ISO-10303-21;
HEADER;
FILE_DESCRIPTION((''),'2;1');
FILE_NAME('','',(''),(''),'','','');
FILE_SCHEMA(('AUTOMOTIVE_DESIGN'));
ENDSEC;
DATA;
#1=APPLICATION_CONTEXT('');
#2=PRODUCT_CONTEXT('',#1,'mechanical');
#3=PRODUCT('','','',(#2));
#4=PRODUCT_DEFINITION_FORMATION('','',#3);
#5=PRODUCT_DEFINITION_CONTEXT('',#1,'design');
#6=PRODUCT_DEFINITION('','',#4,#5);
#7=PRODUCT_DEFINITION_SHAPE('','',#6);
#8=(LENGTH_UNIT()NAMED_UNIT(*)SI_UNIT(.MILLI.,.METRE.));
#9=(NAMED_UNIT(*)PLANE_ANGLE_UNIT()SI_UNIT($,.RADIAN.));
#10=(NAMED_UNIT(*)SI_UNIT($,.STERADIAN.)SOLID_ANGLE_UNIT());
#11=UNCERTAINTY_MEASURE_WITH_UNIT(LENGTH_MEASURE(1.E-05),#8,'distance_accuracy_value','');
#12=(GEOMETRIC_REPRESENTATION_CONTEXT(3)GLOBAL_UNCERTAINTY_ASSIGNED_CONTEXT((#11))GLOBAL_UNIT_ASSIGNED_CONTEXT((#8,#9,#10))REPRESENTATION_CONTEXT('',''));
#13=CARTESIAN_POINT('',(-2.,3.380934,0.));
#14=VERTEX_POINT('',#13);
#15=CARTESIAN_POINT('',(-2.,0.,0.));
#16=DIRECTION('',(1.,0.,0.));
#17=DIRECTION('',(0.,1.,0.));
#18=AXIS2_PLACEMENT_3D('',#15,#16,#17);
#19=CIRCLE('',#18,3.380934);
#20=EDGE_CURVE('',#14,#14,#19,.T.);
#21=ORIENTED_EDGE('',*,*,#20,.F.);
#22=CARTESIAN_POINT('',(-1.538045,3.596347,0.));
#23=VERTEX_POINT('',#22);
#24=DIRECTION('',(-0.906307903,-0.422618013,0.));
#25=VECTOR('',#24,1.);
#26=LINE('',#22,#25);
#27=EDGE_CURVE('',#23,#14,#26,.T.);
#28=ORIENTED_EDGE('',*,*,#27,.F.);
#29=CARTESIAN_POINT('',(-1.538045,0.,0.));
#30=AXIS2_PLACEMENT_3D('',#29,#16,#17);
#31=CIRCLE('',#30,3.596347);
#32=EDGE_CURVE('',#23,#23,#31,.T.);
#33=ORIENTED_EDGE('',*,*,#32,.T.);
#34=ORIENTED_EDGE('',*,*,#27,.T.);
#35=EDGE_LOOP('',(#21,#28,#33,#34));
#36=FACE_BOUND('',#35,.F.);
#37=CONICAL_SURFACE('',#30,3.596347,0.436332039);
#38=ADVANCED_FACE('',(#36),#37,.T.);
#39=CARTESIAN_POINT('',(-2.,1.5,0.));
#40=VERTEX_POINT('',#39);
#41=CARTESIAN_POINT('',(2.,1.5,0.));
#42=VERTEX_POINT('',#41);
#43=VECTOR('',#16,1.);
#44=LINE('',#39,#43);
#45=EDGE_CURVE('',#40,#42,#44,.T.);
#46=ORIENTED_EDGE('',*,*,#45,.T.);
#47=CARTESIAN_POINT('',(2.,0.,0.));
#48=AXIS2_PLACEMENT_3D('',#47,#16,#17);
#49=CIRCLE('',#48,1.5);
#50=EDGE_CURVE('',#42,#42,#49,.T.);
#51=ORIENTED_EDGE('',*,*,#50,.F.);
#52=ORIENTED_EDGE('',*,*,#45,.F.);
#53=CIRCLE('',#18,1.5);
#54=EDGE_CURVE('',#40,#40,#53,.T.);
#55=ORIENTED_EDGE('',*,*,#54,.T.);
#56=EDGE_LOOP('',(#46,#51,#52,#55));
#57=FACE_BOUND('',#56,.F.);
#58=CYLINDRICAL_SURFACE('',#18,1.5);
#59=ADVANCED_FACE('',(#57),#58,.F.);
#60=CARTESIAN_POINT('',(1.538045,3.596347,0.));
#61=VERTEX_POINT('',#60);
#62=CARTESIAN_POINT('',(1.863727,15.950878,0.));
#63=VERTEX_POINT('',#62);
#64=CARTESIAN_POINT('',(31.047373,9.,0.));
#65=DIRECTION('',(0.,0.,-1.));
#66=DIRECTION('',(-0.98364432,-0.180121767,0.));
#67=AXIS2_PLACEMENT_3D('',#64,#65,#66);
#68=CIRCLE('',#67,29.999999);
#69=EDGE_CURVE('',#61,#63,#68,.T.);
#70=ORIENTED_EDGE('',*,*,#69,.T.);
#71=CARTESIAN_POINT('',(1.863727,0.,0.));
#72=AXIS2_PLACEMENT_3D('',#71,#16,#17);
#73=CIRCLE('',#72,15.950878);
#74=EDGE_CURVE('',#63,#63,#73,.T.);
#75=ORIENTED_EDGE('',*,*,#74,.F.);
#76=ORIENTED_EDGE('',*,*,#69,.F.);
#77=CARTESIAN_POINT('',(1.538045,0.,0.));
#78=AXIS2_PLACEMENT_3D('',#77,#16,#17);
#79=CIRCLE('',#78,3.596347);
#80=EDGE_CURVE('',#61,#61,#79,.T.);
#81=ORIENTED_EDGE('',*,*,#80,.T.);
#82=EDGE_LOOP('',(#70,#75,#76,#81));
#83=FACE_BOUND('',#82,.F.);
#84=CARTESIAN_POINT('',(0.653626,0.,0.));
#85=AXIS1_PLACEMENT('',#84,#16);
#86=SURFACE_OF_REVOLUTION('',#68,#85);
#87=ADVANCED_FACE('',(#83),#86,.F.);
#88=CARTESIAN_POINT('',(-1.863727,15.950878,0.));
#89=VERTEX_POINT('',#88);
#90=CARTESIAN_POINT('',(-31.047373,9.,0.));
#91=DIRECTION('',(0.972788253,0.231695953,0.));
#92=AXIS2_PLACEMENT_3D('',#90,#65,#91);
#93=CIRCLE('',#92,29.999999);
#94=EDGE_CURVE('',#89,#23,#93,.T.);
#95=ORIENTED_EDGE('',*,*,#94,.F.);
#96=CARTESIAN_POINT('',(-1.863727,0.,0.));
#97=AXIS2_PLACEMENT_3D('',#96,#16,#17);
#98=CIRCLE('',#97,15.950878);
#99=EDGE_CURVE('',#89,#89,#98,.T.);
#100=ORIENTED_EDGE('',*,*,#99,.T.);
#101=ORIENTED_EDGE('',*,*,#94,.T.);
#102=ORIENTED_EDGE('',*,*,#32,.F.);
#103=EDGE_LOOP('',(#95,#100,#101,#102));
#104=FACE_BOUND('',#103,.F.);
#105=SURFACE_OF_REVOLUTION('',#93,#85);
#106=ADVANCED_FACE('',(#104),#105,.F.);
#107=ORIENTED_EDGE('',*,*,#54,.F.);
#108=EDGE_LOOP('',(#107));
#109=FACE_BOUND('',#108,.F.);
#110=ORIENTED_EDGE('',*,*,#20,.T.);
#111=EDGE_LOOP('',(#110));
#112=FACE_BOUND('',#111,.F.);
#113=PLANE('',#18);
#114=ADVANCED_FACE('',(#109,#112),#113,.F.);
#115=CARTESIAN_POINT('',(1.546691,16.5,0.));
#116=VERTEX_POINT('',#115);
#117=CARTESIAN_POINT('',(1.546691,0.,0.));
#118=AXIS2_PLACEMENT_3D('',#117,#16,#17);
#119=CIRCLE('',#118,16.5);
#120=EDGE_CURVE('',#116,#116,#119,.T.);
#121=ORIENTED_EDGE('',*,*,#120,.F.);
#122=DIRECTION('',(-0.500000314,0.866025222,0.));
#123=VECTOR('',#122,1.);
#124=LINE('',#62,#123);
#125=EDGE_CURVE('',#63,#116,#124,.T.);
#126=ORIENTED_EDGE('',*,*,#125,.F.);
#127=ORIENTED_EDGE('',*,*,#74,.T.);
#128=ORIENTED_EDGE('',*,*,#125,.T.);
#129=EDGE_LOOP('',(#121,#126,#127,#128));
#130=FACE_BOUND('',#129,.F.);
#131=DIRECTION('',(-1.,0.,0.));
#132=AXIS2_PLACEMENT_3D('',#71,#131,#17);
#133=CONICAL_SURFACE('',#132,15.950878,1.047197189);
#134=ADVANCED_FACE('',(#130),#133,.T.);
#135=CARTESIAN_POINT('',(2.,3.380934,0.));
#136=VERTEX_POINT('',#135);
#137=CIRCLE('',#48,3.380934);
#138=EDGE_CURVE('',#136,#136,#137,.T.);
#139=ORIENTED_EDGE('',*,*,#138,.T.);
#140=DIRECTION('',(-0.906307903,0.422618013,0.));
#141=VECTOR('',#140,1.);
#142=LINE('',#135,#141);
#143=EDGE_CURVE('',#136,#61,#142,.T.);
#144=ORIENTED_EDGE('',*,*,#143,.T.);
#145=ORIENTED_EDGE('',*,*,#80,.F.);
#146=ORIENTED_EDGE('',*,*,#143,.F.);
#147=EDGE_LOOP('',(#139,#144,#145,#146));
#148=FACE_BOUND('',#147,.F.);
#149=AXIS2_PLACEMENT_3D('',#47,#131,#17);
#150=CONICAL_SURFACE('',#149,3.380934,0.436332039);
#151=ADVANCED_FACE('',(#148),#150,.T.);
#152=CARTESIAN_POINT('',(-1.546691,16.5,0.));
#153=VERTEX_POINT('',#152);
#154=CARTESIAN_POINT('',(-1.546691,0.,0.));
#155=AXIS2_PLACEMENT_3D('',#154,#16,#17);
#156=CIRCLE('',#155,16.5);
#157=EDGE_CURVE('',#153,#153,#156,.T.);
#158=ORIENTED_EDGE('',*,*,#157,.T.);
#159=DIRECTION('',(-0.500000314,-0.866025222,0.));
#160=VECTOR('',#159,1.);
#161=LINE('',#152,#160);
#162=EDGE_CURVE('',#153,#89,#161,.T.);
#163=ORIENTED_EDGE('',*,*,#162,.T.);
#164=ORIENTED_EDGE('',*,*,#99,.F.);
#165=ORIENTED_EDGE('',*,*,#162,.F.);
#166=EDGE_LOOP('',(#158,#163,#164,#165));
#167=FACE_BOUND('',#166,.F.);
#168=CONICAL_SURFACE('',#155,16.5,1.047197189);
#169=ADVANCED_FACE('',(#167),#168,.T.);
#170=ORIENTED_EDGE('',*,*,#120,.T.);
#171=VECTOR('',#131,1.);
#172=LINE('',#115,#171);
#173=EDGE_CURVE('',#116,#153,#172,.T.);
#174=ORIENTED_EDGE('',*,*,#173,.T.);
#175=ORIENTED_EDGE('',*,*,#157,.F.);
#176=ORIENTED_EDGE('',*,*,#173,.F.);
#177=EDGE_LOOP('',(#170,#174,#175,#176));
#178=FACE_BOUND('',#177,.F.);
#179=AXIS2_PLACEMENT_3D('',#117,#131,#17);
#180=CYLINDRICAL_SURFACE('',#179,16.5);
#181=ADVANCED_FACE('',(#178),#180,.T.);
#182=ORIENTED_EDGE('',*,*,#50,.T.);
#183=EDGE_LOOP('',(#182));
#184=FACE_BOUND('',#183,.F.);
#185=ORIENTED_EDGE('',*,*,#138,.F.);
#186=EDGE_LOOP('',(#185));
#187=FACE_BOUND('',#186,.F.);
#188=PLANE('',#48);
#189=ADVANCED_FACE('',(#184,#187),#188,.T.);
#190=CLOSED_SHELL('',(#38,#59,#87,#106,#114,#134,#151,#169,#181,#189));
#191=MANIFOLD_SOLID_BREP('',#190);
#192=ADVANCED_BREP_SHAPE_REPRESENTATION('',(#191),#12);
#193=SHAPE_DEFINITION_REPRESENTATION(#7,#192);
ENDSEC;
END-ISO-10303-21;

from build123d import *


with BuildPart() as f1:
    # F0 (on Top) → F1 (revolve)
    with BuildSketch(Plane.XY):
        with BuildLine():
            Line((0, 16.5), (0, 1.5))
            Line((0, 1.5), (2, 1.5))
            Line((2, 1.5), (2, 3.380934))
            Line((2, 3.380934), (1.538045, 3.596347))
            ThreePointArc((1.538045, 3.596347), (1.057793, 9.790565), (1.863727, 15.950878))
            Line((1.863727, 15.950878), (1.546691, 16.5))
            Line((1.546691, 16.5), (0, 16.5))
        make_face()
        with BuildLine():
            Line((-2, 1.5), (0, 1.5))
            Line((0, 1.5), (0, 16.5))
            Line((0, 16.5), (-1.546691, 16.5))
            Line((-1.546691, 16.5), (-1.863727, 15.950878))
            ThreePointArc((-1.863727, 15.950878), (-1.057793, 9.790565), (-1.538045, 3.596347))
            Line((-1.538045, 3.596347), (-2, 3.380934))
            Line((-2, 3.380934), (-2, 1.5))
        make_face()
    revolve(axis=Axis((0.653626, 0, 0), (1, 0, 0)))


solid = f1.part
